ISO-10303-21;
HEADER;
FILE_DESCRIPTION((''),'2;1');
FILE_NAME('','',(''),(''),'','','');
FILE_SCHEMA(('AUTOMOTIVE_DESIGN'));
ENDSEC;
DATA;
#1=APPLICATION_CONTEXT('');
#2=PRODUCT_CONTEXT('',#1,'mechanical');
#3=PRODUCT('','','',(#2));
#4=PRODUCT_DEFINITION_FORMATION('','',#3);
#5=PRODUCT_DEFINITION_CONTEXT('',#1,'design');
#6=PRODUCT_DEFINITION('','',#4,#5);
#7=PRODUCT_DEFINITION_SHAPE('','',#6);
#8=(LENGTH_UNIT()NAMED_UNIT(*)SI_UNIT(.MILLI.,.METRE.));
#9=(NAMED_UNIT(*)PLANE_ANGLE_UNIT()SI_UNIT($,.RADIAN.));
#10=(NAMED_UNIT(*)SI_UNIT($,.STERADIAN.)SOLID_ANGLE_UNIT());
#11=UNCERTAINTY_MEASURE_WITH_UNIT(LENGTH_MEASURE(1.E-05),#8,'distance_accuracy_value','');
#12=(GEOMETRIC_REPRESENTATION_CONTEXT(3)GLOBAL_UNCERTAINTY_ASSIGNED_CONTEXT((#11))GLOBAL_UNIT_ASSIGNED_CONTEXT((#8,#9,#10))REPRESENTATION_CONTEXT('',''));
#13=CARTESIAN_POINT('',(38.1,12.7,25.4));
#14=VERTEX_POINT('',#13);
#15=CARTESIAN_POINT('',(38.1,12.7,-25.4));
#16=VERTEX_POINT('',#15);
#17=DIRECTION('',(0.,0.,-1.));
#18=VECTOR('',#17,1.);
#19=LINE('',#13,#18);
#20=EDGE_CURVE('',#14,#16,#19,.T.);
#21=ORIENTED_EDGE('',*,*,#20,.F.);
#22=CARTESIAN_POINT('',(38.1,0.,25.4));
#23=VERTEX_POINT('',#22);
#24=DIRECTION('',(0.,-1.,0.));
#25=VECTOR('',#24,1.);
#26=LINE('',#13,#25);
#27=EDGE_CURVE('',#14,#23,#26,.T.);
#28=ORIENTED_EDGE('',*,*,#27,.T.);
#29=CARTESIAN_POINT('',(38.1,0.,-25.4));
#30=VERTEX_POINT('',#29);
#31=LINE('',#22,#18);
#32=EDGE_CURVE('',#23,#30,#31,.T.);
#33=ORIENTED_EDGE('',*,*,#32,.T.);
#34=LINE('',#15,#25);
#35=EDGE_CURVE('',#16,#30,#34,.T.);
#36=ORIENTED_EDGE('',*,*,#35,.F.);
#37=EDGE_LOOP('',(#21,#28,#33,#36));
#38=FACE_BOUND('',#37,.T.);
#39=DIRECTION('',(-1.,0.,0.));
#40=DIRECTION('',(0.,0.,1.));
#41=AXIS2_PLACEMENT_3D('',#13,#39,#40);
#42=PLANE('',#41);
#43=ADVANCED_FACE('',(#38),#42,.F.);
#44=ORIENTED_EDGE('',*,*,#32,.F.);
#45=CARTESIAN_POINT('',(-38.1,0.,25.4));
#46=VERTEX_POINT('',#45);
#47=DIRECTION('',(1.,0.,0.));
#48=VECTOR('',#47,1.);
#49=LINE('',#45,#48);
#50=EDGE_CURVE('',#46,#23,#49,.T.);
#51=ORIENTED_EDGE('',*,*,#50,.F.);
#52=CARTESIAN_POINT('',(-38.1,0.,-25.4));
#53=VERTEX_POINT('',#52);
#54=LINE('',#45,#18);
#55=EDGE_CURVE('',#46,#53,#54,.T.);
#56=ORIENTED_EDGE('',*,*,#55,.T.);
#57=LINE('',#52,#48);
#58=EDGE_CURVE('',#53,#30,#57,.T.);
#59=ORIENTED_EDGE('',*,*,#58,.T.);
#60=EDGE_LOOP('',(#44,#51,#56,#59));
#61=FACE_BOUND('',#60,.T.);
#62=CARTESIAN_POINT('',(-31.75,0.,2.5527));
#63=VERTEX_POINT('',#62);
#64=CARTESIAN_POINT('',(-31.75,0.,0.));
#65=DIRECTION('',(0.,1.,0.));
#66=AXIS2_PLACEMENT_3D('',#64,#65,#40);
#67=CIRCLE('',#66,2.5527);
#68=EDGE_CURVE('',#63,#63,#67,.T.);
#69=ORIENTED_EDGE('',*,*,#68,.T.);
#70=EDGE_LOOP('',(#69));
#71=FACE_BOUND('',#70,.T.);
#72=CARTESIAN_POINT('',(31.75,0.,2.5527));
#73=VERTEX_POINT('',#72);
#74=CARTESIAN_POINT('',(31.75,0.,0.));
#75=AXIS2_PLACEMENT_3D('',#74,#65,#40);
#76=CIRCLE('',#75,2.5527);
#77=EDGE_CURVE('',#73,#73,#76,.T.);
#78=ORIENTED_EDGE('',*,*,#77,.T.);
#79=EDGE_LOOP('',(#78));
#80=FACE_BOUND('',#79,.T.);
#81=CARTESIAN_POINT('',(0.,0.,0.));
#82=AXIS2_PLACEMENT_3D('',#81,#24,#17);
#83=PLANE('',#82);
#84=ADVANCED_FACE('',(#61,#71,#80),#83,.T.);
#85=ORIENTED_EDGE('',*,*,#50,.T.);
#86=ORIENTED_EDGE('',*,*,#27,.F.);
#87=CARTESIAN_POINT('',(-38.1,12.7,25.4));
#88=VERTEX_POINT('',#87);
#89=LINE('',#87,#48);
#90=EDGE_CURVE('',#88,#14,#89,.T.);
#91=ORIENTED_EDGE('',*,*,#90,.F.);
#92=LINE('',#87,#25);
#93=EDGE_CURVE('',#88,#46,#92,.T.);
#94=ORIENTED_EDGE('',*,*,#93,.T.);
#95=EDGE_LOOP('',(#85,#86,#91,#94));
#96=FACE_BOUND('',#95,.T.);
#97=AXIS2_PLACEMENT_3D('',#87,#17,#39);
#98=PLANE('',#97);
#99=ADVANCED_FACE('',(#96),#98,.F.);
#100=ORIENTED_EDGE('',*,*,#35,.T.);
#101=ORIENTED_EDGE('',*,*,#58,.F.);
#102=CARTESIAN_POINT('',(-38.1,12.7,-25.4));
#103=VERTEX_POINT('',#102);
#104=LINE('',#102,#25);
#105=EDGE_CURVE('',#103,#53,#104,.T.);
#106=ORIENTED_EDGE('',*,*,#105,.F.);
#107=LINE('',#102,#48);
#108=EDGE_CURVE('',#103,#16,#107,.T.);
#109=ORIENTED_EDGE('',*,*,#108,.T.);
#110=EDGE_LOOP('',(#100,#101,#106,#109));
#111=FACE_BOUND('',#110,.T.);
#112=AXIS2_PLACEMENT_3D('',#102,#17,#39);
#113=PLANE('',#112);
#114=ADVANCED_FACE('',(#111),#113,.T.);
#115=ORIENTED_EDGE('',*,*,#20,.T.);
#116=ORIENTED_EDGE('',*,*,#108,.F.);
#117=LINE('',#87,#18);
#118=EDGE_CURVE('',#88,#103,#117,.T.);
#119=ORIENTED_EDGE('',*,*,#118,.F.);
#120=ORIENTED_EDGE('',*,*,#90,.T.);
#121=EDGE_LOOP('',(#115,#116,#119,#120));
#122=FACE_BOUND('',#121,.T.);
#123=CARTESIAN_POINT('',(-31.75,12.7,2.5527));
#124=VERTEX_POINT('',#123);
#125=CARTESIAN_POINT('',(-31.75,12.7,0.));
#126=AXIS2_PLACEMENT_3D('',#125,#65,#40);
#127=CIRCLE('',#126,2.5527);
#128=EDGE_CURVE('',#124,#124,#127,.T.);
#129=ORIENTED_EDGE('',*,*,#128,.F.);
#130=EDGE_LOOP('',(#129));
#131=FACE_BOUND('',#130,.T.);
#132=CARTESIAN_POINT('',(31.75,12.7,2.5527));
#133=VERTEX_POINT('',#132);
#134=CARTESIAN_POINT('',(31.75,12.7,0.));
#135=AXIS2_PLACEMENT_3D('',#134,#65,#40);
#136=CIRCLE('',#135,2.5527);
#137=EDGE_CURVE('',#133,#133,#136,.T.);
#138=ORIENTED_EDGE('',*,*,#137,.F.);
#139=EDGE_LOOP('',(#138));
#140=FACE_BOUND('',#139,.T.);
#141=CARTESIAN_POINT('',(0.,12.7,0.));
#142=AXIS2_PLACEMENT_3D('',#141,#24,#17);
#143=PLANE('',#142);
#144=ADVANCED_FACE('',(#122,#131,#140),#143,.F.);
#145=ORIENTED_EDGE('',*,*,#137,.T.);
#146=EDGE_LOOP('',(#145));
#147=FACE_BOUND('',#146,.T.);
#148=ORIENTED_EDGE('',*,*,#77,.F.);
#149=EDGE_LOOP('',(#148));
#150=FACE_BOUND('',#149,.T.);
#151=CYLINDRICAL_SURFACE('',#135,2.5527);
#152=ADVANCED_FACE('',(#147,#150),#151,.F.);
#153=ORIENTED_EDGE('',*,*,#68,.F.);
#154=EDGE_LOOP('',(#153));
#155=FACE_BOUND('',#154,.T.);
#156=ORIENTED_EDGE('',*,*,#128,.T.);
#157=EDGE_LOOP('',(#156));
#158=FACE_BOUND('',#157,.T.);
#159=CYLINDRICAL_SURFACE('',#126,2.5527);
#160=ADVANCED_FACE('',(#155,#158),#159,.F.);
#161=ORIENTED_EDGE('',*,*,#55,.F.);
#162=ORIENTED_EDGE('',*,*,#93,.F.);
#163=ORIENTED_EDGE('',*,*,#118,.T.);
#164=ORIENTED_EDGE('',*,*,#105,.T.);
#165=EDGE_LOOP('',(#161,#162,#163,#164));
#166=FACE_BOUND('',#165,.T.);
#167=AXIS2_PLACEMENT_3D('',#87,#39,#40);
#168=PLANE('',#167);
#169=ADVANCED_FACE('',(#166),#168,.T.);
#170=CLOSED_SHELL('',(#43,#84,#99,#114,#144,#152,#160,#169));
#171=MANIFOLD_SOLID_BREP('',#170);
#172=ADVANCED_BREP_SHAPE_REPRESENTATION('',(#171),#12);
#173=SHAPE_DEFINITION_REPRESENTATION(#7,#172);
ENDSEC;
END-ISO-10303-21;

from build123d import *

# Parameters (mm, degrees)
SKETCH1_W               = 76.2
SKETCH1_H               = 50.8
BOSS_EXTRUDE1_DEPTH     = 12.7
F_1_4_20_TAPPED_HOLE1_D = 5.1054


with BuildPart() as part:
    # Sketch1 → Boss-Extrude1 (new body)
    with BuildSketch(Plane(origin=(0, 0, 0), x_dir=(1, 0, 0), z_dir=(0, 1, 0))):
        Rectangle(SKETCH1_W, SKETCH1_H)
    extrude(amount=BOSS_EXTRUDE1_DEPTH)

    # 1/4-20 Tapped Hole1 (through all)
    with Locations(Plane(origin=(0, 12.7, 0), x_dir=(1, 0, 0), z_dir=(0, 1, 0))):
        with Locations((-31.75, 0), (31.75, 0)):
            Hole(F_1_4_20_TAPPED_HOLE1_D / 2)


solid = part.part
